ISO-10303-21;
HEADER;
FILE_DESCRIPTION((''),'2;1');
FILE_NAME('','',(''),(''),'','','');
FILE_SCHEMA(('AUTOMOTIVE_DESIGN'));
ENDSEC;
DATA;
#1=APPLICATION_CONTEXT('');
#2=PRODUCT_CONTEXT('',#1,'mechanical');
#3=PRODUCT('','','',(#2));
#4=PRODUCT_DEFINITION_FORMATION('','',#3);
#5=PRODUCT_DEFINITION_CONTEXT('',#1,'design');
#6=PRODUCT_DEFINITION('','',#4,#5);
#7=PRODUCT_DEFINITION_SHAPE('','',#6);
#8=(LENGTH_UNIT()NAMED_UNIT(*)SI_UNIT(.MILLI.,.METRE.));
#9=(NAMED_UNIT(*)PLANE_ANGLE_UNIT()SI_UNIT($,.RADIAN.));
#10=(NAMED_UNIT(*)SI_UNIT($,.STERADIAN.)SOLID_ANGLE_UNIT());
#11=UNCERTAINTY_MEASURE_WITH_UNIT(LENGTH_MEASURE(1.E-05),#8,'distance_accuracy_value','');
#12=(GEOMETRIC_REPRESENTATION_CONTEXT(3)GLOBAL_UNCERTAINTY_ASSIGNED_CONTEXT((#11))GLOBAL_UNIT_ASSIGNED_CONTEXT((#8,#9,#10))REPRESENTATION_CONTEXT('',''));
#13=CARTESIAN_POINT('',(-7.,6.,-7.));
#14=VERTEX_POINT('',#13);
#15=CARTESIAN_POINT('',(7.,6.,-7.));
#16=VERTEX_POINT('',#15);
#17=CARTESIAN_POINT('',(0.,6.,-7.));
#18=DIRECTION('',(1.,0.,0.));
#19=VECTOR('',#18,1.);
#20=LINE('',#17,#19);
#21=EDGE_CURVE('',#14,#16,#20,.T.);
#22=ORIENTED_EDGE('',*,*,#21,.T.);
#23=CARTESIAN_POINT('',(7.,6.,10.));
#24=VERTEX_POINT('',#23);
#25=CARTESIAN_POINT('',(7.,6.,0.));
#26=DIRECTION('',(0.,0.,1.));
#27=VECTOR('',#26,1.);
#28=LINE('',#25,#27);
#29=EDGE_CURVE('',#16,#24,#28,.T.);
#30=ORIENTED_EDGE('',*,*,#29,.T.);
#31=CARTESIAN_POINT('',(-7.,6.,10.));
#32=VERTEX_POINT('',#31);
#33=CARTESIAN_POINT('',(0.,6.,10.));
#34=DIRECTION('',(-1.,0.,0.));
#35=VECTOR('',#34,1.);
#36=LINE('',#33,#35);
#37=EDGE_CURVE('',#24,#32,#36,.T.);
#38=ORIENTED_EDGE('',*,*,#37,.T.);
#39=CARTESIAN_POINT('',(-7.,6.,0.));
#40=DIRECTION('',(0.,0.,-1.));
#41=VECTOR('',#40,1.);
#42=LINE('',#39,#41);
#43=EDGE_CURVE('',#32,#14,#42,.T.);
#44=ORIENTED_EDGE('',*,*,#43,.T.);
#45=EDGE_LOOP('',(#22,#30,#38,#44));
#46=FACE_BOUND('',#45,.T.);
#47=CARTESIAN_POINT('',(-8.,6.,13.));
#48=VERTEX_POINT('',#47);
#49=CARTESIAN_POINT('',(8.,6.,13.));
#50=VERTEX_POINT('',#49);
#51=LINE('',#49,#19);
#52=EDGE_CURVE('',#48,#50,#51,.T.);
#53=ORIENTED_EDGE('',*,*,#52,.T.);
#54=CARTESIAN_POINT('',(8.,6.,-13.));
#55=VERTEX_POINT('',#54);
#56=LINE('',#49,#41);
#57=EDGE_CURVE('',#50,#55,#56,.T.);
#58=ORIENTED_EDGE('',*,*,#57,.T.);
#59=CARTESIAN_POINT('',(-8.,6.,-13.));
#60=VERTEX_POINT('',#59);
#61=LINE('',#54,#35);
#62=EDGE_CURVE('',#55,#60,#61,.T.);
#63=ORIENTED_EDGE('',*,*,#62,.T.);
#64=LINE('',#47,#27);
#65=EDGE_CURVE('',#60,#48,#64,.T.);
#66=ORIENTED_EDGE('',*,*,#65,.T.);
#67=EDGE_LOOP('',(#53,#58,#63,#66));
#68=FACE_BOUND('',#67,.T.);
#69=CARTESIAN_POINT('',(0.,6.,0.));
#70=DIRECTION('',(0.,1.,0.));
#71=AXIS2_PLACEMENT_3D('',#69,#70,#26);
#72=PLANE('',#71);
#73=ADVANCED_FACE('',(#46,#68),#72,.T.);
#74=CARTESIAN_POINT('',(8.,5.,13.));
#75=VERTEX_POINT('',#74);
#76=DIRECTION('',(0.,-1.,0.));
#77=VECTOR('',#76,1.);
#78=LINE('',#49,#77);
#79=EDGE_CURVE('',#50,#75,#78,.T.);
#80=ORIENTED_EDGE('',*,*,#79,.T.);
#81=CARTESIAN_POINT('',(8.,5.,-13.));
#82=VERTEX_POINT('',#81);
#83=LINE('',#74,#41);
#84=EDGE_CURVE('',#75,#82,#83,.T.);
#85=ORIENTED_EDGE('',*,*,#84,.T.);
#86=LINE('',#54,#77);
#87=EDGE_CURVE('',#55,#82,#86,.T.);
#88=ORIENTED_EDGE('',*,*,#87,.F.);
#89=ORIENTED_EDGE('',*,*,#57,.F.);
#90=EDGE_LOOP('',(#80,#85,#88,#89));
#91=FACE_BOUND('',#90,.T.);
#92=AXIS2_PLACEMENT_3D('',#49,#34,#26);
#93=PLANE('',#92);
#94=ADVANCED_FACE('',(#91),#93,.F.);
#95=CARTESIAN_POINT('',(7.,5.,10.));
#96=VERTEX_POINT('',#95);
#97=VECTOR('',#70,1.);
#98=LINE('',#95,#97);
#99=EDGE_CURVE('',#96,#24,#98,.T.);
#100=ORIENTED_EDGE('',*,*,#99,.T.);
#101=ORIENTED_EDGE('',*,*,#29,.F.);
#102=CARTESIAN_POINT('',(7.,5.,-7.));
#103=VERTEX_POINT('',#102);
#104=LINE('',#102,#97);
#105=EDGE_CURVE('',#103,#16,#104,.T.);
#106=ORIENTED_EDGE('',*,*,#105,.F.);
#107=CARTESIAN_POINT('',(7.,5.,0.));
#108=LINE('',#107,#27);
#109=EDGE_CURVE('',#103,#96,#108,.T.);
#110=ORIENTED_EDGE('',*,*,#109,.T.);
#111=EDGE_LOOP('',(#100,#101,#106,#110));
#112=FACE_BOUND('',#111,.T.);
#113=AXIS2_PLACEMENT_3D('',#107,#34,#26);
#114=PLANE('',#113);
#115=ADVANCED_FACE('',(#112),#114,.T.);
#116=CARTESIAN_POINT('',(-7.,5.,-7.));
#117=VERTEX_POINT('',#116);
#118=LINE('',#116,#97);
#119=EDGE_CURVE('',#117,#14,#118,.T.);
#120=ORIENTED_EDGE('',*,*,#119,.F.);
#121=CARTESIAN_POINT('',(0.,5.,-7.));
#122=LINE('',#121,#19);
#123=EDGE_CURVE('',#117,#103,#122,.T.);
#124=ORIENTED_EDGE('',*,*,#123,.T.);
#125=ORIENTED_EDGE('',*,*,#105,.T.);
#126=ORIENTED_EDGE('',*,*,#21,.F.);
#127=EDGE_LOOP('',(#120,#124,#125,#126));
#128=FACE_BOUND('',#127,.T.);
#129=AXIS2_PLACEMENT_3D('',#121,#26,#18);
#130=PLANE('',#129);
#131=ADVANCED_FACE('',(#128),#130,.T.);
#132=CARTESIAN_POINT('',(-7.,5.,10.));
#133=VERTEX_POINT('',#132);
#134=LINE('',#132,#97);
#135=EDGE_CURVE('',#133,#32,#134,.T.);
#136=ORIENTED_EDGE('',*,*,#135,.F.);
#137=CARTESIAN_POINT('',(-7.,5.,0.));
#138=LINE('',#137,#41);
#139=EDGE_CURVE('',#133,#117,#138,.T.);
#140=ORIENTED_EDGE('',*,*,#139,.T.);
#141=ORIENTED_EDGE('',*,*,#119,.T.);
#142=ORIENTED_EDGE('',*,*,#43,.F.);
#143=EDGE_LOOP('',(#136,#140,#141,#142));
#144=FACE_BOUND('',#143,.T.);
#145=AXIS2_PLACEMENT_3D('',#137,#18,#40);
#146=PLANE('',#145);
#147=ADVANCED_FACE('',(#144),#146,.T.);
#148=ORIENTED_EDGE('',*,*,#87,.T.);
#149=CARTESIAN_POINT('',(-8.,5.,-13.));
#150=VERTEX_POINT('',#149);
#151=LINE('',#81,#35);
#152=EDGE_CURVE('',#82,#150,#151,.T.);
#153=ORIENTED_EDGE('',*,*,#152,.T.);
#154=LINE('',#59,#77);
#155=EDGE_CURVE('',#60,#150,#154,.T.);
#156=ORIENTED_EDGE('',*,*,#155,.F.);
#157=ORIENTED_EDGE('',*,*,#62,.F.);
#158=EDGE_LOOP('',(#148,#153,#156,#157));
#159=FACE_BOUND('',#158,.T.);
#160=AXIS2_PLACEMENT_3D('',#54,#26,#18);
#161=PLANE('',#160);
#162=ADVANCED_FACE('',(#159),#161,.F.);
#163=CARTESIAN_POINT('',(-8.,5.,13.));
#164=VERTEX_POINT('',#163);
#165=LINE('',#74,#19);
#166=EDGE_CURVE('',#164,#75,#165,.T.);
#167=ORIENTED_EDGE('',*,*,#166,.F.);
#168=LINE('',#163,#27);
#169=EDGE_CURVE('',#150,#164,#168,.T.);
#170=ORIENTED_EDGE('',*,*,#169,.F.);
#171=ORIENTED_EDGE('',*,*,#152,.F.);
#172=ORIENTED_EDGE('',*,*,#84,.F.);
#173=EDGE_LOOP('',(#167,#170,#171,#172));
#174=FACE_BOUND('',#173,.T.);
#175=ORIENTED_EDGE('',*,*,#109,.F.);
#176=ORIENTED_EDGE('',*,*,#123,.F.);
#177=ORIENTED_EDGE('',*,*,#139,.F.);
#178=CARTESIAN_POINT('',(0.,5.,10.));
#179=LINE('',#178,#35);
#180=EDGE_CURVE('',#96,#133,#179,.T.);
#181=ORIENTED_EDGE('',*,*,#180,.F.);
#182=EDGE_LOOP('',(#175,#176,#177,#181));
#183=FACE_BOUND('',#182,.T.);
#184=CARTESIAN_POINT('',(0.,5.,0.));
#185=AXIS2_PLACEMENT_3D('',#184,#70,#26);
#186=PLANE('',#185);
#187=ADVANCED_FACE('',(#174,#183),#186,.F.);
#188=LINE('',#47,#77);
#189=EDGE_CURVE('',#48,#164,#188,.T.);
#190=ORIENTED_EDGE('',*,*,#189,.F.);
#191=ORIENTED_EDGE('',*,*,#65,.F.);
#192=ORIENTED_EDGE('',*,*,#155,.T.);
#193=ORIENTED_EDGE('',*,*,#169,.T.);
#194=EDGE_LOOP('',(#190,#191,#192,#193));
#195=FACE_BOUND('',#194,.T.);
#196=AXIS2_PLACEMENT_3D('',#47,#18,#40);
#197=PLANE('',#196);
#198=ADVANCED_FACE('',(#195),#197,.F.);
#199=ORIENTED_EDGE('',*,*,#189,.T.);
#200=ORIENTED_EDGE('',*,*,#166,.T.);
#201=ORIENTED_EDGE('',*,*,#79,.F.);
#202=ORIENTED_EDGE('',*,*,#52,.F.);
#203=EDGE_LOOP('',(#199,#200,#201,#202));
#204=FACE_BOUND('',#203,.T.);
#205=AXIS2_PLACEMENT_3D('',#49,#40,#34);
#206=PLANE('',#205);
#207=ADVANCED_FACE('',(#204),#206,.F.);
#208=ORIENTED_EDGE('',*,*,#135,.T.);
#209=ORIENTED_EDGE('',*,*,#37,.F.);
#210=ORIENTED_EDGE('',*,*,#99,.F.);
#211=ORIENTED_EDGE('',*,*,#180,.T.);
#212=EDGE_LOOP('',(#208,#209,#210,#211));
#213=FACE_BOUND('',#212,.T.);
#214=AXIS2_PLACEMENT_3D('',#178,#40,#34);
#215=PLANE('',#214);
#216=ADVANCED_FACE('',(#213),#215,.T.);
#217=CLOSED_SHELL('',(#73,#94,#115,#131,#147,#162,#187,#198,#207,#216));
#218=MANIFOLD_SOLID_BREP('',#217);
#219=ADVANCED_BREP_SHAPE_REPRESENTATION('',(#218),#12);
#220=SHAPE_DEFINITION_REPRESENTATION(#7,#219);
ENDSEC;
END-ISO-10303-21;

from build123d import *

# Parameters (mm, degrees)
SKETCH_1_W          = 16
SKETCH_1_H          = 26
EXTRUDE_1_DEPTH     = 5
CUT_EXTRUDE_START   = 1
SKETCH_2_W          = 14
SKETCH_2_H          = 25
CUT_EXTRUDE_1_DEPTH = 10
EXTRUDE_START       = 5
SKETCH_3_W          = 16
SKETCH_3_H          = 26
EXTRUDE_3_DEPTH     = 1
CUT_EXTRUDE_START_2 = 6
SKETCH_4_W          = 14
SKETCH_4_H          = 17
CUT_EXTRUDE_2_DEPTH = 1
SKETCH_6_W          = 16
SKETCH_6_H          = 26
CUT_EXTRUDE_4_DEPTH = 5


with BuildPart() as part:
    # 스케치1 → 보스-돌출1 (new body)
    with BuildSketch(Plane(origin=(0, 0, 0), x_dir=(1, 0, 0), z_dir=(0, 1, 0))):
        Rectangle(SKETCH_1_W, SKETCH_1_H)
    extrude(amount=EXTRUDE_1_DEPTH)

    # 스케치2 → 컷-돌출1 (cut)
    with BuildSketch(Plane(origin=(0, 0, 0), x_dir=(1, 0, 0), z_dir=(0, 1, 0)).offset(CUT_EXTRUDE_START)):
        with Locations((0, 0.5)):
            Rectangle(SKETCH_2_W, SKETCH_2_H)
    extrude(amount=CUT_EXTRUDE_1_DEPTH, mode=Mode.SUBTRACT)

    # 스케치6 → 컷-돌출4 (cut)
    with BuildSketch(Plane.XZ):
        Rectangle(SKETCH_6_W, SKETCH_6_H)
    extrude(amount=-CUT_EXTRUDE_4_DEPTH, mode=Mode.SUBTRACT)


with BuildPart() as body_2:
    # 스케치3 → 보스-돌출3 (new body)
    with BuildSketch(Plane(origin=(0, 0, 0), x_dir=(1, 0, 0), z_dir=(0, 1, 0)).offset(EXTRUDE_START)):
        Rectangle(SKETCH_3_W, SKETCH_3_H)
    extrude(amount=EXTRUDE_3_DEPTH)

    # 스케치4 → 컷-돌출2 (cut)
    with BuildSketch(Plane(origin=(0, 0, 0), x_dir=(1, 0, 0), z_dir=(0, 1, 0)).offset(CUT_EXTRUDE_START_2)):
        with Locations((0, -1.5)):
            Rectangle(SKETCH_4_W, SKETCH_4_H)
    extrude(amount=-CUT_EXTRUDE_2_DEPTH, mode=Mode.SUBTRACT)


solid = body_2.part
